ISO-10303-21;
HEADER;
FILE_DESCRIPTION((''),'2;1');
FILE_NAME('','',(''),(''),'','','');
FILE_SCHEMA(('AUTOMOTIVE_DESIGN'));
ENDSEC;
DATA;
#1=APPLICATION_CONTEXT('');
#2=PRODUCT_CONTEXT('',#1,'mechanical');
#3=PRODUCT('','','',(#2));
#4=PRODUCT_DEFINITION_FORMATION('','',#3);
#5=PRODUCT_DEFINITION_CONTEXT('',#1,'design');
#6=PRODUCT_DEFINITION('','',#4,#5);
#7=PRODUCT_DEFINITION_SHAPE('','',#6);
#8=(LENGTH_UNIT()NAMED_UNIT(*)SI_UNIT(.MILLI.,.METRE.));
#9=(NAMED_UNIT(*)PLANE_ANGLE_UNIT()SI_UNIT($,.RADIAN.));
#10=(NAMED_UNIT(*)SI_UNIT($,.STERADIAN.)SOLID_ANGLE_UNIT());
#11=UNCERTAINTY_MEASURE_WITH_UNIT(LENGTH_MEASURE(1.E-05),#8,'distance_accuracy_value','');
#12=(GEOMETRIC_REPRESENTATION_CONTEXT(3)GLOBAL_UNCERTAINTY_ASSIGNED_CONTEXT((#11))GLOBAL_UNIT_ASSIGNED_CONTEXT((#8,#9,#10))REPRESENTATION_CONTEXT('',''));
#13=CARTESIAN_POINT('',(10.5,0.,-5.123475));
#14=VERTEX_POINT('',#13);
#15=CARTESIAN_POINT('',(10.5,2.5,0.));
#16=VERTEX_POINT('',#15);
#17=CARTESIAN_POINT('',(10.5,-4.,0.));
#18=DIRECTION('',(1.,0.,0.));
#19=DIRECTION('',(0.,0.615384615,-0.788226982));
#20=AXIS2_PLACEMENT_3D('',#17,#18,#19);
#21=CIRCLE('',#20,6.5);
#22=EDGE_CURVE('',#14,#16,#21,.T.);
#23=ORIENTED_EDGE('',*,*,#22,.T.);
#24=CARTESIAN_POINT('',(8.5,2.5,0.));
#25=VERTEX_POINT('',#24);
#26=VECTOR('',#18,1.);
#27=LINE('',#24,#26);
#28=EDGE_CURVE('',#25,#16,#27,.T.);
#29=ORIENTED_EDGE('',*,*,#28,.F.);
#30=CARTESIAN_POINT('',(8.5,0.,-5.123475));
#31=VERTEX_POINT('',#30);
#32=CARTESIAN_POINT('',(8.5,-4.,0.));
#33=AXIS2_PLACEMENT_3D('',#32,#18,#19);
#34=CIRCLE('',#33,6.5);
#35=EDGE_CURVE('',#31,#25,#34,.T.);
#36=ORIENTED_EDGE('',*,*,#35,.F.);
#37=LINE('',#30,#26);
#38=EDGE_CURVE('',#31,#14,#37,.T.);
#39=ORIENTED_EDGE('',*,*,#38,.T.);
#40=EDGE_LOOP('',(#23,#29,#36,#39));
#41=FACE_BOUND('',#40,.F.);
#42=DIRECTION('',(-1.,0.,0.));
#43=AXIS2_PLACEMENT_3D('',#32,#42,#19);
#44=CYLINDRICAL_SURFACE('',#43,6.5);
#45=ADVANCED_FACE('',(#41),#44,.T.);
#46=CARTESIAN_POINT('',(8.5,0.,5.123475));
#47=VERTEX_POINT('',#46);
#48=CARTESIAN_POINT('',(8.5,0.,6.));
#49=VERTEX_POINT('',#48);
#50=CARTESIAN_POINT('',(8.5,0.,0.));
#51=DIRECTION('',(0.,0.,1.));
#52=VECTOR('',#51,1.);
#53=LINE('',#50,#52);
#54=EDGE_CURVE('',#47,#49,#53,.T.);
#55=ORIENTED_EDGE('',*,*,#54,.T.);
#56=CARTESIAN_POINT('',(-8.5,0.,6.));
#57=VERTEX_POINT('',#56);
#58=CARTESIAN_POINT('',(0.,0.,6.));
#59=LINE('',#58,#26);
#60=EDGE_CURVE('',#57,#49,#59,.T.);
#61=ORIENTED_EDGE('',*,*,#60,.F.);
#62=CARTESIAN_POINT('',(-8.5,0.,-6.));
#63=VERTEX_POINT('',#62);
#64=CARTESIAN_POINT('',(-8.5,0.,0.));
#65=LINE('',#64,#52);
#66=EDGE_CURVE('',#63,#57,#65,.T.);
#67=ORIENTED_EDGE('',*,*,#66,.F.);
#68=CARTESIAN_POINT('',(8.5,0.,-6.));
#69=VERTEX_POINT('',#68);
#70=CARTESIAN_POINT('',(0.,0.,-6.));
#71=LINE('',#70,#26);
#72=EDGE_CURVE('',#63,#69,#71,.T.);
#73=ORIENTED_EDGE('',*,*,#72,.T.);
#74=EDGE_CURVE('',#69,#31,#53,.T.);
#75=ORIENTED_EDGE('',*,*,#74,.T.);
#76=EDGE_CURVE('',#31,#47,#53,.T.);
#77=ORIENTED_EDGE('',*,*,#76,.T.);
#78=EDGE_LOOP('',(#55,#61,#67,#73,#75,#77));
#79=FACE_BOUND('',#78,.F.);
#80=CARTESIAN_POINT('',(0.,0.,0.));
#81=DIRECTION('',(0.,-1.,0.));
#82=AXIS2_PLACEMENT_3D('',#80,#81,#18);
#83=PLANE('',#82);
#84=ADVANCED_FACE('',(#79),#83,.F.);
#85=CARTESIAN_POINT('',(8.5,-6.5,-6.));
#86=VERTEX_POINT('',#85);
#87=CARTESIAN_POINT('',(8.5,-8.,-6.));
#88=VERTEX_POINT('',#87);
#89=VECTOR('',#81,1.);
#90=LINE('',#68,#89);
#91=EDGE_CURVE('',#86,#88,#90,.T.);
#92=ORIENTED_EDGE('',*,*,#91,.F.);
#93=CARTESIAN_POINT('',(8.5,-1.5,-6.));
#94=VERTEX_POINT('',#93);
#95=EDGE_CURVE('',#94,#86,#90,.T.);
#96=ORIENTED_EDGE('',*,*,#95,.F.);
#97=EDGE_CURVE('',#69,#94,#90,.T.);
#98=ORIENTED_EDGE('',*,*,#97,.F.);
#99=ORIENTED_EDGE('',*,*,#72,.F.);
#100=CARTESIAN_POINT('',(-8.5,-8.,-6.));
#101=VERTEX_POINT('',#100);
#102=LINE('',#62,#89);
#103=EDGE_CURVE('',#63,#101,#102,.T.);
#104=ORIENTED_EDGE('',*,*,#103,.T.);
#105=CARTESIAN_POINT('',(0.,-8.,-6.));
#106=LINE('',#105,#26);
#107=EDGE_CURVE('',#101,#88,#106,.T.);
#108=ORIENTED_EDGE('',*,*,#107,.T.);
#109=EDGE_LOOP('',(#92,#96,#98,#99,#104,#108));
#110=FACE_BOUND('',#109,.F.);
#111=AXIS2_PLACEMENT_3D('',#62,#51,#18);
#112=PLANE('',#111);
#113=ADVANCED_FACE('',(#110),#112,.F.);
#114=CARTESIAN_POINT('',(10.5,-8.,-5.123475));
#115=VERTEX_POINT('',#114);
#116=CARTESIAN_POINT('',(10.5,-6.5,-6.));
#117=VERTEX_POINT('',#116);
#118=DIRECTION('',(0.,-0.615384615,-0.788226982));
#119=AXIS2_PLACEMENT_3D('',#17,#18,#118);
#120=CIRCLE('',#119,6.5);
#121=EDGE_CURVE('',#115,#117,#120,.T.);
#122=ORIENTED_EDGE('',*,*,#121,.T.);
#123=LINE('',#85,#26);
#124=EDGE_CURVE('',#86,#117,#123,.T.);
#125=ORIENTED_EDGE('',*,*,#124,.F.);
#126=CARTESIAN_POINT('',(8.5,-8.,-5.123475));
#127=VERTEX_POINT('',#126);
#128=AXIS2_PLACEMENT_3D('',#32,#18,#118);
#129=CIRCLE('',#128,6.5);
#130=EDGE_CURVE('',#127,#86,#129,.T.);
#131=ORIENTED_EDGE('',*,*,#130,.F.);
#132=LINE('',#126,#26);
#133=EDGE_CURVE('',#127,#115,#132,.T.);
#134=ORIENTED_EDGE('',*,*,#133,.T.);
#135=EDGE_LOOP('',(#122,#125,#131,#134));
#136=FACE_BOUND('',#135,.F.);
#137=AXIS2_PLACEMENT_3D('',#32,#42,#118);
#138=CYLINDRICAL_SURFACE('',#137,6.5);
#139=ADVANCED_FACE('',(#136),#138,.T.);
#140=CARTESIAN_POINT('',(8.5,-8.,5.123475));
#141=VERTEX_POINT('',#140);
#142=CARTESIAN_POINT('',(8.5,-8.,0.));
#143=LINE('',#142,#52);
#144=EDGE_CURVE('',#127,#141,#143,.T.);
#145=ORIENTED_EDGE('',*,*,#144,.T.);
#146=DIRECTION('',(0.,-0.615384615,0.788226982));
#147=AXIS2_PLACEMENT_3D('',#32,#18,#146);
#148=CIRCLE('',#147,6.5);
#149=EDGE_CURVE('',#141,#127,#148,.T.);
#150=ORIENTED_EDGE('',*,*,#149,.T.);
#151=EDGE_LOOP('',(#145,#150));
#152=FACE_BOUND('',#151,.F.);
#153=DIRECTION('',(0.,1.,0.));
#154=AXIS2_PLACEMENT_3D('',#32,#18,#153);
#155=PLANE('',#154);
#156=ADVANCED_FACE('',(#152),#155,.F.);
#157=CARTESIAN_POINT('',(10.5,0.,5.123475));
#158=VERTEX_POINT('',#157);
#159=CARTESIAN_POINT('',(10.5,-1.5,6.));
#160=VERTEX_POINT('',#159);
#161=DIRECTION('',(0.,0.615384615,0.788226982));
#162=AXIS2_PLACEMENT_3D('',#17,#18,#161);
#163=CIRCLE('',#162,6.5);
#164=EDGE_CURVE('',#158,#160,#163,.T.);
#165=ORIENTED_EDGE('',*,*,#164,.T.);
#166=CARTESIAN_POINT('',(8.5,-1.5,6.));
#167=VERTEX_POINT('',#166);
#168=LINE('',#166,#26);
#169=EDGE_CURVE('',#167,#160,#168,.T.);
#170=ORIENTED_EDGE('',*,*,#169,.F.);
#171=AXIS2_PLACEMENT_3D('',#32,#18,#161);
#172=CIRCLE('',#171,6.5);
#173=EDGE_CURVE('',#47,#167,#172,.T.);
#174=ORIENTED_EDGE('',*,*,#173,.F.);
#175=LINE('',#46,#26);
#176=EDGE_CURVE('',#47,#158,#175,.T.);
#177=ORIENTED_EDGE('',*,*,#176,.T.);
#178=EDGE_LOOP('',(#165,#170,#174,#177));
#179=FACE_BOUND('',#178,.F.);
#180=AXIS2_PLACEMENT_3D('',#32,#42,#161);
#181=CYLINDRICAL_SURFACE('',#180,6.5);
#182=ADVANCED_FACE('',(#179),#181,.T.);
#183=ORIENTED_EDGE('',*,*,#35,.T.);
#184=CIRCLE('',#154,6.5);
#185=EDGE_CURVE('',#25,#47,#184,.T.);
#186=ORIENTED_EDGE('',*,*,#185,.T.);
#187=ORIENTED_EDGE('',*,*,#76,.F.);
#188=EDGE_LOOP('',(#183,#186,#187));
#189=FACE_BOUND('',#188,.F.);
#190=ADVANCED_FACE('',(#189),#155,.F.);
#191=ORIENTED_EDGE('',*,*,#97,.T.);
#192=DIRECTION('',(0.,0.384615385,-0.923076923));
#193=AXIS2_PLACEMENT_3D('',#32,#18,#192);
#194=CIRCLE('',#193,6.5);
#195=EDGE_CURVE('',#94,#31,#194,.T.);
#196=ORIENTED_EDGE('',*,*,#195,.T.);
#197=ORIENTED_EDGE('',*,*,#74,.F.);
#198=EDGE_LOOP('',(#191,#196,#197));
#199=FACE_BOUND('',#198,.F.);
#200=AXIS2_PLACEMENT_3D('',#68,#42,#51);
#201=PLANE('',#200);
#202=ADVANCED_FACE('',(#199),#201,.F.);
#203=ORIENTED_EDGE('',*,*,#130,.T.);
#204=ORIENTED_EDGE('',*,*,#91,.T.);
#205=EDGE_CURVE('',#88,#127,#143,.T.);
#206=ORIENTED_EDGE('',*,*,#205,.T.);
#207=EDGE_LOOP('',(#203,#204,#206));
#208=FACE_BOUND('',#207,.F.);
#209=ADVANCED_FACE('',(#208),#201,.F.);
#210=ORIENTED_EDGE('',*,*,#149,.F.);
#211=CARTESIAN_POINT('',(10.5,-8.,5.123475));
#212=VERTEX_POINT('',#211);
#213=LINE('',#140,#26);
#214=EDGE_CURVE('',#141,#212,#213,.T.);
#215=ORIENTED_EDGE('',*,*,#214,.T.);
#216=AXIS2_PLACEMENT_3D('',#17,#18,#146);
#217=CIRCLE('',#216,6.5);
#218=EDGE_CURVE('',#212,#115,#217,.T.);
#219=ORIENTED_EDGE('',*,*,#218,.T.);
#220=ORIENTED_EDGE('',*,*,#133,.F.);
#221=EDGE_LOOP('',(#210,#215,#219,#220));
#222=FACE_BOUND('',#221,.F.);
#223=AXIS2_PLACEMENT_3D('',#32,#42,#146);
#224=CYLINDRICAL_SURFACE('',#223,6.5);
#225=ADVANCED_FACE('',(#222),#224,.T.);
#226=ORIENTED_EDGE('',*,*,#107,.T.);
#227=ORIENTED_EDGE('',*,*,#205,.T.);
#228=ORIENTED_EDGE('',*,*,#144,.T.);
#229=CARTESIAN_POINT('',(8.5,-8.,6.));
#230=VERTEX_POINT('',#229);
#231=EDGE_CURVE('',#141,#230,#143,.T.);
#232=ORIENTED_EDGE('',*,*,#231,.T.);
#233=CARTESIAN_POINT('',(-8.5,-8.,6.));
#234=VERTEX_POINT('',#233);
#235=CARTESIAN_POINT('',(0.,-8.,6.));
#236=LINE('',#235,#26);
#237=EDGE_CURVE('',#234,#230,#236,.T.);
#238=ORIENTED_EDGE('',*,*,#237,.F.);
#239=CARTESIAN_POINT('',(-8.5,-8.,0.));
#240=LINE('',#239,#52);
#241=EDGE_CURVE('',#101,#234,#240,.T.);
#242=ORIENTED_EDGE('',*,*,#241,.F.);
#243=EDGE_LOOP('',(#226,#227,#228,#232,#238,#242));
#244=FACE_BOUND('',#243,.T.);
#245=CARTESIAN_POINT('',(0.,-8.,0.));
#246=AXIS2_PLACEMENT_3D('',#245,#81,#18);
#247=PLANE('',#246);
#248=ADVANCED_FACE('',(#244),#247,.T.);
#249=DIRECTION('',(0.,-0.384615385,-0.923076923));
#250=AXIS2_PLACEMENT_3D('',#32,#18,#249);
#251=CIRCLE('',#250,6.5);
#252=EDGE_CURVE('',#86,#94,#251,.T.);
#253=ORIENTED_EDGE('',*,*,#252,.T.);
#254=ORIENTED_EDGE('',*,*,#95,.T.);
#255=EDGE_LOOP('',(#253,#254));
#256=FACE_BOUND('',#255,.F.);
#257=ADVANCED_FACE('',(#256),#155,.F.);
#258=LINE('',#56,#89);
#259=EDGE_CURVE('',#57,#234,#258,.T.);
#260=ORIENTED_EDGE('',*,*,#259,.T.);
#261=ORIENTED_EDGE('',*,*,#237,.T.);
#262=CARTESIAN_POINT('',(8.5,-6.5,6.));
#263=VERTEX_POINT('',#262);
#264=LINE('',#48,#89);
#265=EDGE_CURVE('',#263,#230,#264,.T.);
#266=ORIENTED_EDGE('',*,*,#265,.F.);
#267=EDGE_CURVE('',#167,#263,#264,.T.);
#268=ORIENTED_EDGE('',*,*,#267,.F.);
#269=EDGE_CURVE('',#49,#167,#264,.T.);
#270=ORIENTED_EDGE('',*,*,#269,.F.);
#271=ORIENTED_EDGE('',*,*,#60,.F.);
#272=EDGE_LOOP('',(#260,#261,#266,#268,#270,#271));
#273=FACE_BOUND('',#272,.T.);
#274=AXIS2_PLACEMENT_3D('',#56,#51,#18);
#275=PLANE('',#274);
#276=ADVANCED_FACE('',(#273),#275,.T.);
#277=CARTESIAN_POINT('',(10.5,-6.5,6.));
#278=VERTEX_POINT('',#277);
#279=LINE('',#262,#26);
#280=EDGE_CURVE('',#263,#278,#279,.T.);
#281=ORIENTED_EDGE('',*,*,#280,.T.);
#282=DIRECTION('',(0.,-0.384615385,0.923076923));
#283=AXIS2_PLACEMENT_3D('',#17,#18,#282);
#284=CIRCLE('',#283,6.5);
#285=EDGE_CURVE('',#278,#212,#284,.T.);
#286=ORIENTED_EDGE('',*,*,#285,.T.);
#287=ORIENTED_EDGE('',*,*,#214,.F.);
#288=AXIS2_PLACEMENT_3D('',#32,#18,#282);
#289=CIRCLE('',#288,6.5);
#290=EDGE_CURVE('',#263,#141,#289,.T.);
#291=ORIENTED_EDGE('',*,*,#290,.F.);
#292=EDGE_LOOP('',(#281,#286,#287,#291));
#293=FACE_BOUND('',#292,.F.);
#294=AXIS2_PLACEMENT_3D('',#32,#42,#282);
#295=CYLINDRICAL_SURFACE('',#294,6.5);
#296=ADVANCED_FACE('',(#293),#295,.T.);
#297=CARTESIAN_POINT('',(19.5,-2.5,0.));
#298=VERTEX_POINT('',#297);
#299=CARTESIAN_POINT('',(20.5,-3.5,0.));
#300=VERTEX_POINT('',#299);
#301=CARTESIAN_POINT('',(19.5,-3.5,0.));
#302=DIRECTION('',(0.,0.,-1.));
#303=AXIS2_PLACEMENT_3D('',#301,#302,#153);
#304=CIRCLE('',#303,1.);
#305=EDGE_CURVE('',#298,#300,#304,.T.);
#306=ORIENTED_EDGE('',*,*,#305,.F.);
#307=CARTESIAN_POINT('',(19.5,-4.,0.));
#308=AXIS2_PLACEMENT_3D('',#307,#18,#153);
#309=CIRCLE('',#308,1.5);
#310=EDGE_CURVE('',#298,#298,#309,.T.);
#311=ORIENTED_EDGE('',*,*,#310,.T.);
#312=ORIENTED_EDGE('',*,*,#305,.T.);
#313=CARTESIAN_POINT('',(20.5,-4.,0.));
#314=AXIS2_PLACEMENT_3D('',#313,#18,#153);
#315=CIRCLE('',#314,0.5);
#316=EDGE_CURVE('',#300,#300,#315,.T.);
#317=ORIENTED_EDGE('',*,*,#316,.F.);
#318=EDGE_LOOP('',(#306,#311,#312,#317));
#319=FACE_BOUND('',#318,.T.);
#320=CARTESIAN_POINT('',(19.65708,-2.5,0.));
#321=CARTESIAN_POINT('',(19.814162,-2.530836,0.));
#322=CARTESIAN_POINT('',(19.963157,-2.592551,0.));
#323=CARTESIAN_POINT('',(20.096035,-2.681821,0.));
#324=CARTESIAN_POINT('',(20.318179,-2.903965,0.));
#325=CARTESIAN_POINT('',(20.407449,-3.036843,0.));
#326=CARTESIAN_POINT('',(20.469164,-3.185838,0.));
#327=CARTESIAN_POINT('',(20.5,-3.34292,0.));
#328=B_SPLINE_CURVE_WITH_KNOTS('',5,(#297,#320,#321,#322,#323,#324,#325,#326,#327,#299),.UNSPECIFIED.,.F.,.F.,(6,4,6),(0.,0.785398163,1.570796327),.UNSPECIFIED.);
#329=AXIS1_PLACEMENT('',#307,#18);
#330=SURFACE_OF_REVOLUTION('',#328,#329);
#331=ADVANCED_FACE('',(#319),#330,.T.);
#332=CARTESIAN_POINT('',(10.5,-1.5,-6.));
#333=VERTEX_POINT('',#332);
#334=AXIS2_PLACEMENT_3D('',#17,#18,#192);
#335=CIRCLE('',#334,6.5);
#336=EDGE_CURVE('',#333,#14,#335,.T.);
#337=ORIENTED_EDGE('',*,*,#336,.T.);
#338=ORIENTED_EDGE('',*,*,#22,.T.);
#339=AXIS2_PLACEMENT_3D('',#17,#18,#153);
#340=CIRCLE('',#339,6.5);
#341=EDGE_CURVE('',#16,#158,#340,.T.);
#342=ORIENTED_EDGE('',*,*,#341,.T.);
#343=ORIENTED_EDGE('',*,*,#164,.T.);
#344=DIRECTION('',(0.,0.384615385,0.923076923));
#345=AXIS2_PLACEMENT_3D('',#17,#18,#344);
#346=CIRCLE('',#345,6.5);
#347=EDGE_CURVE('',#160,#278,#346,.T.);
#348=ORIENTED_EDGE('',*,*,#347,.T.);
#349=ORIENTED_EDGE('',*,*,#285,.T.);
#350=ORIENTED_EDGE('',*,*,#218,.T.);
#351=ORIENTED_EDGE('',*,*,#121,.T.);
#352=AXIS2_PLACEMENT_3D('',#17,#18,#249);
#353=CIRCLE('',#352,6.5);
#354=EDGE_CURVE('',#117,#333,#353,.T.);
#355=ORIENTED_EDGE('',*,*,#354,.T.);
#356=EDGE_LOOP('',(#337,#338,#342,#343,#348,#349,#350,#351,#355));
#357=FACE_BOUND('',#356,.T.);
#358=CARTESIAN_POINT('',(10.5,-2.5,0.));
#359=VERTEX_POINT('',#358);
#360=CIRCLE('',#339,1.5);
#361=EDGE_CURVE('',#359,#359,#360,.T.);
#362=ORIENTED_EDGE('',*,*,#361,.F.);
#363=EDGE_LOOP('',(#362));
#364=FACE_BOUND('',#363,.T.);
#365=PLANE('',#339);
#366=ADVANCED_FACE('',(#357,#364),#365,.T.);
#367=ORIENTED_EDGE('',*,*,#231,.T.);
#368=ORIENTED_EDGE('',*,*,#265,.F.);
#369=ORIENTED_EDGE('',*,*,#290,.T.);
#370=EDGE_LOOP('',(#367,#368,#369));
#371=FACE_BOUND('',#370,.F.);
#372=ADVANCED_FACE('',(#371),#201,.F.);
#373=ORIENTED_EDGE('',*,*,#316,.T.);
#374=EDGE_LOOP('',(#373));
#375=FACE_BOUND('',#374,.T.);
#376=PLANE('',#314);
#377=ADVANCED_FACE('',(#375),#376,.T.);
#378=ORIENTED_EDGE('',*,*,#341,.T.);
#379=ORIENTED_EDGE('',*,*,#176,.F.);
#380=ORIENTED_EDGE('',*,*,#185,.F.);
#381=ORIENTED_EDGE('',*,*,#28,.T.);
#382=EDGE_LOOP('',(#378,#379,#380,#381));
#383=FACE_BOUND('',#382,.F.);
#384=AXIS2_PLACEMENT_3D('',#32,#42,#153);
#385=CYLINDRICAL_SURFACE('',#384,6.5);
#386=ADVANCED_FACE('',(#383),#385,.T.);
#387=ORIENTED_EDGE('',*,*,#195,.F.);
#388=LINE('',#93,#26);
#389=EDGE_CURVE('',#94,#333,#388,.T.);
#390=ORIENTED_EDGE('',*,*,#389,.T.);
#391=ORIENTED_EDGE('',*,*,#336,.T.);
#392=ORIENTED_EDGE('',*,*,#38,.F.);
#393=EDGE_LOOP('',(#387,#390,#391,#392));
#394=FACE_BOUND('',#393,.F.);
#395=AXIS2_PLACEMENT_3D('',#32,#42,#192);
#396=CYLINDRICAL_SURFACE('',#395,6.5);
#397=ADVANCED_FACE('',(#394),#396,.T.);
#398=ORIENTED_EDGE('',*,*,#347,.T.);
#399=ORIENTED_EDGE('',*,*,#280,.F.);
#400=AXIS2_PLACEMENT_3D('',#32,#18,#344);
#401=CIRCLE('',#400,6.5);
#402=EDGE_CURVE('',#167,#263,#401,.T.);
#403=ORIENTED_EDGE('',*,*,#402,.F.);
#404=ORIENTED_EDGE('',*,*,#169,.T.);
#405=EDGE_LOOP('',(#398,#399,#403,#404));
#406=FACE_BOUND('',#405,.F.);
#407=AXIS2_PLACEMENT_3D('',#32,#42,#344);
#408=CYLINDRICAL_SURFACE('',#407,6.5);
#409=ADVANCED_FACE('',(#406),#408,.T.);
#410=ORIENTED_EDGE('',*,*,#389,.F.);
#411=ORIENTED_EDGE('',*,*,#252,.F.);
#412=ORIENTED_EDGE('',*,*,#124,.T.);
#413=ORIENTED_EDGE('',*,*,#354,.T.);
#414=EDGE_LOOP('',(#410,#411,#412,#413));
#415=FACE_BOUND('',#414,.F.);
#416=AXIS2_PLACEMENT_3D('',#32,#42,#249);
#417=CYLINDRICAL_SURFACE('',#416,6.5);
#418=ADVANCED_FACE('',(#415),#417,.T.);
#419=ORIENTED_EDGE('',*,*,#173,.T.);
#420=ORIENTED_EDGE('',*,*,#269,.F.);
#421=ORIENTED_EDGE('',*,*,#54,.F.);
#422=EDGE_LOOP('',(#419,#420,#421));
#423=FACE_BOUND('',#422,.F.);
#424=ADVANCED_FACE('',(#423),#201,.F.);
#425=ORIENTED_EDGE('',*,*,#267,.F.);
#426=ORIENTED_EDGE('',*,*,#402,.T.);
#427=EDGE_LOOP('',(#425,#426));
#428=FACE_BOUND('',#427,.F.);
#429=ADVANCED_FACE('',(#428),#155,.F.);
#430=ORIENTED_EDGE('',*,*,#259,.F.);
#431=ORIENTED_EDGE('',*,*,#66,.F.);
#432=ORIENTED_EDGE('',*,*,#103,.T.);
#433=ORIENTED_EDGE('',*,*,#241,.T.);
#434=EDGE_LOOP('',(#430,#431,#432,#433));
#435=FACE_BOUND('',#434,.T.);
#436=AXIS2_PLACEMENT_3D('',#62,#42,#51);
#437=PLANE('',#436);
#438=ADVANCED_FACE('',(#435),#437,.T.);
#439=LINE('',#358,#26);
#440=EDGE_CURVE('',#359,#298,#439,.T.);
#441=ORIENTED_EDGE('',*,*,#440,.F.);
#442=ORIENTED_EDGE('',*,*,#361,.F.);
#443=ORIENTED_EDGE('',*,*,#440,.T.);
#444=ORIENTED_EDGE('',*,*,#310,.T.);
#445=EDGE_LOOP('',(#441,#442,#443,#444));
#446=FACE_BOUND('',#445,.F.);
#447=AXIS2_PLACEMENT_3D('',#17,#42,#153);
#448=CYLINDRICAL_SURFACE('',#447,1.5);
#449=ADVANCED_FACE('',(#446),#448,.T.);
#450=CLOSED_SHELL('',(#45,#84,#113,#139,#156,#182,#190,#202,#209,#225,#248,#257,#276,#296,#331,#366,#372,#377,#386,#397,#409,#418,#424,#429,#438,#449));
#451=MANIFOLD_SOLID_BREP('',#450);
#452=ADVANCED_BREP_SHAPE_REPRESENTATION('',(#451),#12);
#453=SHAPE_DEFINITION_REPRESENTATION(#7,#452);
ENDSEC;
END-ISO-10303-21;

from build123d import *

# Parameters (mm, degrees)
F0_W     = 17
F0_H     = 12
F1_DEPTH = 8
F3_DEPTH = 2
F4_R     = 1.5
F5_DEPTH = 10
F6_R     = 1


with BuildPart() as f1:
    # F0 (on Front) → F1 (new body)
    with BuildSketch(Plane.XZ):
        Rectangle(F0_W, F0_H)
    extrude(amount=F1_DEPTH)

    # F2 (on face) → F3 (join)
    with BuildSketch(Plane.YZ.offset(8.5)):
        with BuildLine():
            Line((0, -5.123475383), (0, 5.123475383))
            ThreePointArc((0, 5.123475383), (-0.7205833063, 5.6120785943), (-1.5, 6))
            Line((-1.5, 6), (-6.5, 6))
            ThreePointArc((-6.5, 6), (-7.2794166937, 5.6120785943), (-8, 5.123475383))
            Line((-8, 5.123475383), (-8, -5.123475383))
            ThreePointArc((-8, -5.123475383), (-7.2794166937, -5.6120785943), (-6.5, -6))
            Line((-6.5, -6), (-1.5, -6))
            ThreePointArc((-1.5, -6), (-0.7205833063, -5.6120785943), (0, -5.123475383))
        make_face()
        with BuildLine():
            ThreePointArc((0, -5.123475383), (1.8416607228, -2.8504385627), (2.5, 0))
            ThreePointArc((2.5, 0), (1.8416607228, 2.8504385627), (0, 5.123475383))
            Line((0, 5.123475383), (0, -5.123475383))
        make_face()
        with BuildLine():
            Line((-6.5, 6), (-1.5, 6))
            ThreePointArc((-1.5, 6), (-4, 6.5), (-6.5, 6))
        make_face()
        with BuildLine():
            Line((-8, -5.123475383), (-8, 5.123475383))
            ThreePointArc((-8, 5.123475383), (-10.5, 0), (-8, -5.123475383))
        make_face()
        with BuildLine():
            ThreePointArc((-6.5, -6), (-4, -6.5), (-1.5, -6))
            Line((-1.5, -6), (-6.5, -6))
        make_face()
    extrude(amount=F3_DEPTH)

    # F4 (on face) → F5 (join)
    with BuildSketch(Plane.YZ.offset(10.5)):
        with Locations((-4, 0)):
            Circle(F4_R)
    extrude(amount=F5_DEPTH)

    # F6
    f6_edges = [f1.edges().sort_by_distance(p)[0] for p in [
        (20.5, -5.5, 0),
    ]]
    fillet(f6_edges, radius=F6_R)


solid = f1.part
